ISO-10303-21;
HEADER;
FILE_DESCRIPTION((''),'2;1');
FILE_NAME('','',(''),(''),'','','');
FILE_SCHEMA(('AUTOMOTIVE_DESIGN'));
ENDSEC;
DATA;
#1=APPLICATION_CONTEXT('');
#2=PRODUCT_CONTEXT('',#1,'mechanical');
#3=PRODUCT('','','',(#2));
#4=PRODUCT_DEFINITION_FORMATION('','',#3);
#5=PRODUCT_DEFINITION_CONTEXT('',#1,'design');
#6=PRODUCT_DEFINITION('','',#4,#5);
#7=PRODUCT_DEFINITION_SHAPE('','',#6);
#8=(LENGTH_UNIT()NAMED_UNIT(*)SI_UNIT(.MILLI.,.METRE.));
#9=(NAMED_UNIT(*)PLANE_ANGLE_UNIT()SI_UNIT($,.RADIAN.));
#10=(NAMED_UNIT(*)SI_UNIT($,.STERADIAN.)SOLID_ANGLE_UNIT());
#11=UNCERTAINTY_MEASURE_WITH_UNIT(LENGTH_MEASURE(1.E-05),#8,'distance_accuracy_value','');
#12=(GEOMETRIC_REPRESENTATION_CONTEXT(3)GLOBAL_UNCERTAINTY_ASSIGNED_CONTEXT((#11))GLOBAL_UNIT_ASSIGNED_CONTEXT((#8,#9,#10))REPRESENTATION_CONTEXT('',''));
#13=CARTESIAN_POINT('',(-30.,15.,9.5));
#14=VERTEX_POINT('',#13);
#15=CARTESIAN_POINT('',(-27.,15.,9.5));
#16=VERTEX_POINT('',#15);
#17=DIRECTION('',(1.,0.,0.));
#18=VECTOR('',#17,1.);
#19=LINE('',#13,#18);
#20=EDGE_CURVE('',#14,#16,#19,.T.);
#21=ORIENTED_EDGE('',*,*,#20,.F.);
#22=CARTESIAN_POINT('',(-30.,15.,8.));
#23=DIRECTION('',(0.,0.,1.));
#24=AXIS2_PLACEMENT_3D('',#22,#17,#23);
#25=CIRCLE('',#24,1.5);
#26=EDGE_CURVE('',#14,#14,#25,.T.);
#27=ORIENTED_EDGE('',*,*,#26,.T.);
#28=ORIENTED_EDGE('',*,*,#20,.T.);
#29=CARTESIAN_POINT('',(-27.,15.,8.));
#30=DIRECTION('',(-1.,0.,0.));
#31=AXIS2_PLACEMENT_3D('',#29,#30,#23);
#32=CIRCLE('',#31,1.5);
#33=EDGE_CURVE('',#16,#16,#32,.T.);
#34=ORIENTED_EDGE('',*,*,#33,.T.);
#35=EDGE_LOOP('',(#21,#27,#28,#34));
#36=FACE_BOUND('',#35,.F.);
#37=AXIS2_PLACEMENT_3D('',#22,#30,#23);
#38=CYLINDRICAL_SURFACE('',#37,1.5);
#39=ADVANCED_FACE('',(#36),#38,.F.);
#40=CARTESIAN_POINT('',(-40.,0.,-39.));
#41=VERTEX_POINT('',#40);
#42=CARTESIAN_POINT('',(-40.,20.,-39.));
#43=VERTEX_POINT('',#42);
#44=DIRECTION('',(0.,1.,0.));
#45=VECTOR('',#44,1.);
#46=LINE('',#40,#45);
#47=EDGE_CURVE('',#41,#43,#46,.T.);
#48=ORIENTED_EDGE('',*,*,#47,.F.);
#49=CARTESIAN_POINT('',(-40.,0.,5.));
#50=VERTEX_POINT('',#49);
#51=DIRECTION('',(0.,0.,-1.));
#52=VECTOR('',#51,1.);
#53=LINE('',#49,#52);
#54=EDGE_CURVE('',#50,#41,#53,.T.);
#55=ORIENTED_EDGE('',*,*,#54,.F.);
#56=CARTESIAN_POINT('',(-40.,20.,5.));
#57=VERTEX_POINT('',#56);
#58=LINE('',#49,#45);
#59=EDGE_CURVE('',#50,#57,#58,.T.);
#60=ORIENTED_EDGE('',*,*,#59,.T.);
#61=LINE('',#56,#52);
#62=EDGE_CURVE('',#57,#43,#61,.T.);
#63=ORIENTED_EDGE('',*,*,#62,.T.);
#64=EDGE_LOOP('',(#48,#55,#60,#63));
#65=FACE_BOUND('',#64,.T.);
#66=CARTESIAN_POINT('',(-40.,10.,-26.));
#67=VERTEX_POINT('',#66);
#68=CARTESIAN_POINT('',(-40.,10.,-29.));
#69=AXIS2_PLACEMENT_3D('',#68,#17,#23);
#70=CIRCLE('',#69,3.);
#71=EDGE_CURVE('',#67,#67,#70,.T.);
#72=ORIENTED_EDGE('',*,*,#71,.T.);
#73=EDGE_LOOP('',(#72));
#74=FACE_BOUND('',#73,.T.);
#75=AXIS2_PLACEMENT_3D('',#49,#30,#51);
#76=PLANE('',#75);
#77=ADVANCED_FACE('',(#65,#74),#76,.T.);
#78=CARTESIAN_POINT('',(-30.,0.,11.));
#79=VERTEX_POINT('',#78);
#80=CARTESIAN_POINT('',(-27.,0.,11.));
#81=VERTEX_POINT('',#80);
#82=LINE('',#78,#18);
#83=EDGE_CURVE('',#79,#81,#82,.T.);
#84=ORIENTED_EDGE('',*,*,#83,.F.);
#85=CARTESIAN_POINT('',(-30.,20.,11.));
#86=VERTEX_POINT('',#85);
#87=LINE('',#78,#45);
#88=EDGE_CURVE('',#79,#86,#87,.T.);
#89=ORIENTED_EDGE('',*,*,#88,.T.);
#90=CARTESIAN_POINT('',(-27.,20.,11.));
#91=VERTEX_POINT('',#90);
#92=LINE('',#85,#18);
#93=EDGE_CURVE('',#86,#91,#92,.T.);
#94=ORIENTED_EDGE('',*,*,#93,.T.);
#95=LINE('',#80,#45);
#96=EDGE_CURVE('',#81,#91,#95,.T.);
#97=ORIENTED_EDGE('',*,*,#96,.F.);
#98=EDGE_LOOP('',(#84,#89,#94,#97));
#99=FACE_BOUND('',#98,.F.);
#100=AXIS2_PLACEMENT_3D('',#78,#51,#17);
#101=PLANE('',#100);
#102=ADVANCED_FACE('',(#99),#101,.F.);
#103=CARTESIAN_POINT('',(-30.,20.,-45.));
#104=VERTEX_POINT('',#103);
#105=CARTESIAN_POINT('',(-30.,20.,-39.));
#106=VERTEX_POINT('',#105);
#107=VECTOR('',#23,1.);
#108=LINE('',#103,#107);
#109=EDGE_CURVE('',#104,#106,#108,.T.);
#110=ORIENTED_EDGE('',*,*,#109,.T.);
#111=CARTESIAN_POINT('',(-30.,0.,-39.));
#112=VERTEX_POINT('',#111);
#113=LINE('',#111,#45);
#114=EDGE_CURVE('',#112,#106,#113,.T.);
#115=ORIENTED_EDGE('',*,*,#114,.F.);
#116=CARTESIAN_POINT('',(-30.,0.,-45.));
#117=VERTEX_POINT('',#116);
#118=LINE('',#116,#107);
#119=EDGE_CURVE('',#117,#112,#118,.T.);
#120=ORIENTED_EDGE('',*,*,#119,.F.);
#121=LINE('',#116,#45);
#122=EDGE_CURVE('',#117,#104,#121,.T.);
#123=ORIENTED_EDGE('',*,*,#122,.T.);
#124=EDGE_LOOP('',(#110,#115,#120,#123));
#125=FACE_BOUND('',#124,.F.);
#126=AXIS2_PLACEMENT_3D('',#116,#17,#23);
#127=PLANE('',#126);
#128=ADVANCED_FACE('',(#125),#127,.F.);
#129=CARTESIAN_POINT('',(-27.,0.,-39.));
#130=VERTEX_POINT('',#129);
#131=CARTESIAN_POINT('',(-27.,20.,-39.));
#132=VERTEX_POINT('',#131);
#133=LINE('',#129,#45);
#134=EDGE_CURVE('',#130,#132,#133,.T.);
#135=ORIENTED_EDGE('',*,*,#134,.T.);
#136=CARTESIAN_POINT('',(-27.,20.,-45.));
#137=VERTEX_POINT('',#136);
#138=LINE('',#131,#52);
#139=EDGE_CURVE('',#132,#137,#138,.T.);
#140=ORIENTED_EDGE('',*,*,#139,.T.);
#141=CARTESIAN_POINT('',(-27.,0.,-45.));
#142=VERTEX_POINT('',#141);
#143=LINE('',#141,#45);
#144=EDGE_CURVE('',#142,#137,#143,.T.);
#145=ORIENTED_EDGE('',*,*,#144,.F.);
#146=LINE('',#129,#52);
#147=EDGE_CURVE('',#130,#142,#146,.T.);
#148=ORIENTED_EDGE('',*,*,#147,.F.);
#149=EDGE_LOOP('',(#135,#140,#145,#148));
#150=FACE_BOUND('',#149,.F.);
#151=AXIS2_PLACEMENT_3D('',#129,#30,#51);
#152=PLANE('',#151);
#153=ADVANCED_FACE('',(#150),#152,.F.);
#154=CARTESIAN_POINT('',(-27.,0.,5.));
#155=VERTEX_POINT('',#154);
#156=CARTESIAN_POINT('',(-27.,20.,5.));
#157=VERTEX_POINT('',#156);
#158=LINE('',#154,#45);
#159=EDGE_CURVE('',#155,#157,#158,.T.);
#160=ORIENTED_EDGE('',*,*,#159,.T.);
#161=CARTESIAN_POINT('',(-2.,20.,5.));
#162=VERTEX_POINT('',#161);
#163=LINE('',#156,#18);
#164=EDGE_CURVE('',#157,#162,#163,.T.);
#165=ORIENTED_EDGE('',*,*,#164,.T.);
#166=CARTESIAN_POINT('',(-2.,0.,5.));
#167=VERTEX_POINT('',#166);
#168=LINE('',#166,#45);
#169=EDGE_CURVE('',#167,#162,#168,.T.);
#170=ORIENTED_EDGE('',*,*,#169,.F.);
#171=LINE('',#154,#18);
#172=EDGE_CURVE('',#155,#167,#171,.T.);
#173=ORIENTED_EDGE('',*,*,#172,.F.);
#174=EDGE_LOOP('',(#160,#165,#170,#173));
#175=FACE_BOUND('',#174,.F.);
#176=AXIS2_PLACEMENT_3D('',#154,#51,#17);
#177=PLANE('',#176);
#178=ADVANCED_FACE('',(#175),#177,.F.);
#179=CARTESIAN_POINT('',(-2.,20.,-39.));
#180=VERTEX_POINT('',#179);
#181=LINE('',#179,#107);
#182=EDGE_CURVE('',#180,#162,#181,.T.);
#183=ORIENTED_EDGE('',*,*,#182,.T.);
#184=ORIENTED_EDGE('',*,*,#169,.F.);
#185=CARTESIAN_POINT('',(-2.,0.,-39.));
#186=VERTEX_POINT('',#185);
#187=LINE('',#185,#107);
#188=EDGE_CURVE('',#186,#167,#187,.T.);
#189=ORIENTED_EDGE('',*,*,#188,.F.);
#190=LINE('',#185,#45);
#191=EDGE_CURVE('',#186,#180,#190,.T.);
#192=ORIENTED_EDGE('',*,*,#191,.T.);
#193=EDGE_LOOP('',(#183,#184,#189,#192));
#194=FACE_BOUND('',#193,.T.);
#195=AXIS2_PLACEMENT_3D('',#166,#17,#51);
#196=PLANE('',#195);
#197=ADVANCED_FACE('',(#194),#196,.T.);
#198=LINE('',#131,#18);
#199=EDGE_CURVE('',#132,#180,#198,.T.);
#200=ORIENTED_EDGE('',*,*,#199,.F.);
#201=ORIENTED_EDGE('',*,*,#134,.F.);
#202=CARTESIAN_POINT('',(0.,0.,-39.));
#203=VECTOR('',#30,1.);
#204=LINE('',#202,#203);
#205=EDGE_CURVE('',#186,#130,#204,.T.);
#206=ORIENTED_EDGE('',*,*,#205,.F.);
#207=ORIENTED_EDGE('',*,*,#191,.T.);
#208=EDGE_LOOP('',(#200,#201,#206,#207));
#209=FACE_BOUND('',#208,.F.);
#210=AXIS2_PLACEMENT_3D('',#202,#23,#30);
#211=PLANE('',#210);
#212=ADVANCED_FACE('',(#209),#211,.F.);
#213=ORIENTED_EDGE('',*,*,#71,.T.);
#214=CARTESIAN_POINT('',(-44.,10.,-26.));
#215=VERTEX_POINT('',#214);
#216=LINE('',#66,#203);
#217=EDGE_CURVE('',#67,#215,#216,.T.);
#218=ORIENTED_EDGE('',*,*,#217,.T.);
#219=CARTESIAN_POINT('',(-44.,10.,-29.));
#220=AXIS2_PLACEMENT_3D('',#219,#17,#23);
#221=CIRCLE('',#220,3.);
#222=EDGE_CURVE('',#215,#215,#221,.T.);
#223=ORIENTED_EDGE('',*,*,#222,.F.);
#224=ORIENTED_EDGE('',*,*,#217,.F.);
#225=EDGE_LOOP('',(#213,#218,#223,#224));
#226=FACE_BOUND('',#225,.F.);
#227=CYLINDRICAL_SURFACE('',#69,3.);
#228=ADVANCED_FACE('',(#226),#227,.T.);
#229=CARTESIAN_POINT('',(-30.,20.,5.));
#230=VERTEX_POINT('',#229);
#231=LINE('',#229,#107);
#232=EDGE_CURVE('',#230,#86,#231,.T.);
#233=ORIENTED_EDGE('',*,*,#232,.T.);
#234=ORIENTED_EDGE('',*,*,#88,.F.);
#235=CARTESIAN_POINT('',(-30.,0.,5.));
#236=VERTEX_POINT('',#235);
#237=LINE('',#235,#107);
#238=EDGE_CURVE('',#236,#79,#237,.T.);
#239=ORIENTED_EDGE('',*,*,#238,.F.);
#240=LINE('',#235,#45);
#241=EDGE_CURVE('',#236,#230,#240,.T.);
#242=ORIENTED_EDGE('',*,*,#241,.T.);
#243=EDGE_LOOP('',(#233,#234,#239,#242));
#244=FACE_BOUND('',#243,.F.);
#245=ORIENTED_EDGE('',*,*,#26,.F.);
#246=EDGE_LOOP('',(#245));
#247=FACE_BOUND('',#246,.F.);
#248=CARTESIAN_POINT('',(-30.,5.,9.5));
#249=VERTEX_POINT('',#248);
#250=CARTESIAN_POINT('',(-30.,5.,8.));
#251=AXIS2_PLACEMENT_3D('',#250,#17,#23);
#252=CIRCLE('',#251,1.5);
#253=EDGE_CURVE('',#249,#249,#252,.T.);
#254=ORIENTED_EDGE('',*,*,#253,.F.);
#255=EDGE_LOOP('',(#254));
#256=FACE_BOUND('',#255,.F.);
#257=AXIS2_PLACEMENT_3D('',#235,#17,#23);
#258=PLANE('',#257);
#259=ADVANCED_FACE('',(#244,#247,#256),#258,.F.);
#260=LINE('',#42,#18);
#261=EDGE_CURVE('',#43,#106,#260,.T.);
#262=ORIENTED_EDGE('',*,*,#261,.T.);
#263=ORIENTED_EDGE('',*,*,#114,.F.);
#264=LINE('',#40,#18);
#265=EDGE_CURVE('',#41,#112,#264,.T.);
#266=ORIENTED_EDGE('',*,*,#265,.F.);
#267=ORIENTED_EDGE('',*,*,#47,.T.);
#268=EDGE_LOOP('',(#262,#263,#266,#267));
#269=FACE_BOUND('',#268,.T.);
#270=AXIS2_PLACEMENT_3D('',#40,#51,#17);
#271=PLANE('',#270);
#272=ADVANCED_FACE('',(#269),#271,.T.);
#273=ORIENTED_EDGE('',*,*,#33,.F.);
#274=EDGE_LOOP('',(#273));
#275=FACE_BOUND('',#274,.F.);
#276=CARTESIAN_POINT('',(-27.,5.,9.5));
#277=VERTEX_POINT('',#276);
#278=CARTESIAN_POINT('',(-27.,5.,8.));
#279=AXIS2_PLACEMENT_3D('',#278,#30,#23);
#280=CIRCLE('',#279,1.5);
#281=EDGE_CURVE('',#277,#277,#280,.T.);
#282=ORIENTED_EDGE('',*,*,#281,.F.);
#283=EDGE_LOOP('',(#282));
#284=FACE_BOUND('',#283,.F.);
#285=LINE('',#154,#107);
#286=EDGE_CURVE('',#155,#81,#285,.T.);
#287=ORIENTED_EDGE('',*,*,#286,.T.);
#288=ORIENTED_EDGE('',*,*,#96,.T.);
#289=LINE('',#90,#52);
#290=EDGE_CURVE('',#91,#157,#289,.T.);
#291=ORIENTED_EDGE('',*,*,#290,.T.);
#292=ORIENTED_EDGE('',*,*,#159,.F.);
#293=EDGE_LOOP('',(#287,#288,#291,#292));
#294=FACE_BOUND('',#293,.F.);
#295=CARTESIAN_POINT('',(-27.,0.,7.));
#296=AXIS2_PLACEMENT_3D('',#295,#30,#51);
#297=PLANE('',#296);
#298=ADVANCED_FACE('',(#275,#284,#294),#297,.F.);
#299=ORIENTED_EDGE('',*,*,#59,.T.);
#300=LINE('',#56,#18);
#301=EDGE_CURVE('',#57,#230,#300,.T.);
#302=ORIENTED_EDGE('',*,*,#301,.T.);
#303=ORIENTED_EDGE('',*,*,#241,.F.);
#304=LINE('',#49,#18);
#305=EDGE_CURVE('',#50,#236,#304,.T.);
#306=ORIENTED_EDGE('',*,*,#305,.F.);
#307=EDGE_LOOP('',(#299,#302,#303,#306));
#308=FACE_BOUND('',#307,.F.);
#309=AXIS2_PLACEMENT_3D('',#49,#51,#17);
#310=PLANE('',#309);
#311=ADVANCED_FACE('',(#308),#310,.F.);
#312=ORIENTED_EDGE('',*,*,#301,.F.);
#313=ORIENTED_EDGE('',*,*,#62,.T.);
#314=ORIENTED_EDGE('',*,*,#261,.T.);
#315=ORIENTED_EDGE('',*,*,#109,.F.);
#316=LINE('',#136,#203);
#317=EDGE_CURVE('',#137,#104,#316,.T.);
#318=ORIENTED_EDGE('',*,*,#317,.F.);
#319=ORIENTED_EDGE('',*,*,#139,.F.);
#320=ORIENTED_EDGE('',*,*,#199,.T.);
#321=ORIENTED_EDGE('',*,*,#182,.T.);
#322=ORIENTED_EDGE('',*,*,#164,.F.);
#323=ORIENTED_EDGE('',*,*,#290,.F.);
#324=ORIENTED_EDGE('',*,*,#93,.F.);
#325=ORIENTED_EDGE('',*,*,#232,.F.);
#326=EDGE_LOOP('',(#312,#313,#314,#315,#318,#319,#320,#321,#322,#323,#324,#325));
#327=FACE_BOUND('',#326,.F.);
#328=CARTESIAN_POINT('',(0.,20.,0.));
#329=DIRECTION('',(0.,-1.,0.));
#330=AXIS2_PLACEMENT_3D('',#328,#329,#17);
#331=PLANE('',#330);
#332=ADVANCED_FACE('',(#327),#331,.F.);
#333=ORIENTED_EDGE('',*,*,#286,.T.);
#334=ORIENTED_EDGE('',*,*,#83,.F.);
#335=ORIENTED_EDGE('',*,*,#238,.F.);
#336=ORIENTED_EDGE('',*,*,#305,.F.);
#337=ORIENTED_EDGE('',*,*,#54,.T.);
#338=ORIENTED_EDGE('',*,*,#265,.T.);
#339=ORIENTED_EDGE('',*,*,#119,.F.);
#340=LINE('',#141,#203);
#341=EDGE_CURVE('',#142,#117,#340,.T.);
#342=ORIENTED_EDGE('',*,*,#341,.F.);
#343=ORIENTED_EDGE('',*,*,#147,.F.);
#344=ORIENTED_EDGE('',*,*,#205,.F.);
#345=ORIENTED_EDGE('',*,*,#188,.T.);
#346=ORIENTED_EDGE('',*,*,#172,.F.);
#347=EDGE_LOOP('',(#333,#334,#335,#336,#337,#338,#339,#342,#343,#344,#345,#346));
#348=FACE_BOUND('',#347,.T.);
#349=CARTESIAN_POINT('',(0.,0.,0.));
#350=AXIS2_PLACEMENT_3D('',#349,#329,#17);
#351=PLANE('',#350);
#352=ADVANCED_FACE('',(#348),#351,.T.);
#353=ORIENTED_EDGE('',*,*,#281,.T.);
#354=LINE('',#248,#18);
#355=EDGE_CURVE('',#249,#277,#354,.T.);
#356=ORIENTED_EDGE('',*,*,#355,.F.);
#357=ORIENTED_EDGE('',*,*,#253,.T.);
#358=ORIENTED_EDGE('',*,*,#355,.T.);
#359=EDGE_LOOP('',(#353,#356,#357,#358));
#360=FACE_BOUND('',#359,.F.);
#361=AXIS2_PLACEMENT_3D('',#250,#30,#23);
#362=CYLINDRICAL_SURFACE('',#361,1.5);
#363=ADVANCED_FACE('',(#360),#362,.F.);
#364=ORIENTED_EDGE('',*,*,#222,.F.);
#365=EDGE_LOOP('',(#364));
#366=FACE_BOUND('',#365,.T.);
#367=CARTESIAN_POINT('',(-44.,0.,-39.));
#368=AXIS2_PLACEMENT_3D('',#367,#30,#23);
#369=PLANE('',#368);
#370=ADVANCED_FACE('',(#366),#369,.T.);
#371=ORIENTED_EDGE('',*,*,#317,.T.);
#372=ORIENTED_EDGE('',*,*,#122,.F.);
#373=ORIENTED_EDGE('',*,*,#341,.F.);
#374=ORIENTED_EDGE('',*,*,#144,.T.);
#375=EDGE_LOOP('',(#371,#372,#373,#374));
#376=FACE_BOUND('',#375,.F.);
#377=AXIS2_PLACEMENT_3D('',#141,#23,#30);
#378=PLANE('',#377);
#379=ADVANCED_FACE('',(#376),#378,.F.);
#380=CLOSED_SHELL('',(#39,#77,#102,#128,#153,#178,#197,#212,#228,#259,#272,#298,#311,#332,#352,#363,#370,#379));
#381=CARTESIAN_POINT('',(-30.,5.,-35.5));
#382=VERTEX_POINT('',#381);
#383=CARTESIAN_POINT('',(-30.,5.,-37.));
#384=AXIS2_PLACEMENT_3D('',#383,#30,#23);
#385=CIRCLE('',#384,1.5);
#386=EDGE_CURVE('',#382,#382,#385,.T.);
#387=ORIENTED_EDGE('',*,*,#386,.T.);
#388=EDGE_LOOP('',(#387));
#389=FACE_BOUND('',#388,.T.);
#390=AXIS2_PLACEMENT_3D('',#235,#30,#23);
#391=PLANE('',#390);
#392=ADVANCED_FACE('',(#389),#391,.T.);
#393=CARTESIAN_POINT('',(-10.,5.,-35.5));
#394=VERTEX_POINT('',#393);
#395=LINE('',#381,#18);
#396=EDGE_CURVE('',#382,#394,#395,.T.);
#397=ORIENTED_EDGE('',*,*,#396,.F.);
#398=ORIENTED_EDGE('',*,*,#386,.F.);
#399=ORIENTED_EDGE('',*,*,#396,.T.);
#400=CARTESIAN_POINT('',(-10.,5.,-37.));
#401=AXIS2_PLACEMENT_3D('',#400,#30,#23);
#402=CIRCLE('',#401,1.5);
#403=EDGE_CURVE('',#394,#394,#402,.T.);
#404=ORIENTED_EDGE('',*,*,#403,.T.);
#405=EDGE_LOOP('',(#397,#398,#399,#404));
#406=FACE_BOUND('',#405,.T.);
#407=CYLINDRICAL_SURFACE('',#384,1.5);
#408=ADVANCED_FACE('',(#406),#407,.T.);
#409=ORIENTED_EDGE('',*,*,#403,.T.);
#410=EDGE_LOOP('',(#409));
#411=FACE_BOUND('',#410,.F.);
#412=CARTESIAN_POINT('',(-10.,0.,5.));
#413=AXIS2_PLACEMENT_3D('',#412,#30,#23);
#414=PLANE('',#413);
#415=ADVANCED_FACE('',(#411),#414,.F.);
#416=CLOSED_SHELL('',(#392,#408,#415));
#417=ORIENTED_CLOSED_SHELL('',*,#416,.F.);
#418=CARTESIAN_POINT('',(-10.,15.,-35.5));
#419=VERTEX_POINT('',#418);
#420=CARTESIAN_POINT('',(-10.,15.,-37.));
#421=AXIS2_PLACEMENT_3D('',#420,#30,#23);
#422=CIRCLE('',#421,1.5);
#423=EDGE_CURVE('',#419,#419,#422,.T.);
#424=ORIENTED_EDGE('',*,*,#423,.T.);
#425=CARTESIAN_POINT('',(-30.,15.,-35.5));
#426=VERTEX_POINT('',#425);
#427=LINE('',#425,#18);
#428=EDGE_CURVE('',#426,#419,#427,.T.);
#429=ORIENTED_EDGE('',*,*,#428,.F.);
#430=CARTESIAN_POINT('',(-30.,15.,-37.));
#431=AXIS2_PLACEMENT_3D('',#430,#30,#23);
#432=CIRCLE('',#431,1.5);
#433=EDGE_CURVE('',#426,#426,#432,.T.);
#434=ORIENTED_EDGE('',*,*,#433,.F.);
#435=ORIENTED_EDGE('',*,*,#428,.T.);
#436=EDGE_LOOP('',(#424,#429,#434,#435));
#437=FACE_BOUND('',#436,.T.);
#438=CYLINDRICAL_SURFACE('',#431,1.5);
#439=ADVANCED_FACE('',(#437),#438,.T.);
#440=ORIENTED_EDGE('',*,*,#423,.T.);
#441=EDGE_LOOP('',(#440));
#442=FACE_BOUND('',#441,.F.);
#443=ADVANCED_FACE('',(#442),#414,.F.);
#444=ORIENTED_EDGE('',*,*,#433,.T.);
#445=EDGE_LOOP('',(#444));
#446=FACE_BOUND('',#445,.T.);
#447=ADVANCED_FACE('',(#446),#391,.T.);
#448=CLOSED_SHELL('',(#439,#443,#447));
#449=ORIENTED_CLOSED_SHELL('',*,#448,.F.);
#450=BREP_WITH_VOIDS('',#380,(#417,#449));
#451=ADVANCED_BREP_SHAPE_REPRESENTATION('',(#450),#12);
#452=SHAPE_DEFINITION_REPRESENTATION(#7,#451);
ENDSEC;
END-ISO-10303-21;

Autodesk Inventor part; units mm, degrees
ref_plane "YZ Plane" through (0, 0, 0) normal (1, 0, 0) x (0, 1, 0)
ref_plane "XZ Plane" through (0, 0, 0) normal (0, 1, 0) x (-1, 0, 0)
ref_plane "XY Plane" through (0, 0, 0) normal (0, 0, 1) x (1, 0, 0)
sketch "Sketch1" plane through (0, 0, 0) normal (0, 1, 0) x (-1, 0, 0)
  line L0 (40, 5) -> (40, -39)
  line L1 (0, -39) -> (0, 0)
  line L2 (40, 5) -> (30, 5)
  line L3 (30, 5) -> (30, 11)
  line L4 (30, 11) -> (27, 11)
  line L5 (27, 11) -> (27, 7)
  line L6 (27, -39) -> (27, -45)
  line L7 (27, -45) -> (30, -45)
  line L8 (30, -45) -> (30, -39)
  line L9 (30, 5) -> (40, 5)
  line L10 (40, -39) -> (30, -39)
  line L11 (27, -39) -> (0, -39)
  line L12 (0, 3) -> (0, 0)
  line L13 (0, 5) -> (0, 3)
  line L14 (27, 5) -> (0, 5)
  line L15 (27, 7) -> (27, 5)
  dimension "d0" = 40
  dimension "d1" = 44
  dimension "d2" = 10
  dimension "d3" = 6
  dimension "d4" = 3
  dimension "d5" = 6
extrude "Extrusion1" add sketch "Sketch1" along normal blind 20
sketch "Sketch2" plane through (-30, 0, 5) normal (-1, 0, 0) x (0, 0, 1)
  line L0 (6, 0) -> (6, 20) projected
  line L1 (6, 10) -> (3, 10)
  line L2 (3, 10) -> (3, 15)
  line L3 (3, 15) -> (3, 5)
  circle A0 centre (3, 15) radius 1.5
  circle A1 centre (3, 5) radius 1.5
  circle A2 centre (-42, 15) radius 1.5
  circle A3 centre (-42, 5) radius 1.5
  dimension "d8" = 5
  dimension "d9" = 10
  dimension "d10" = 3
  dimension "d11" = 3
  dimension "d12" = 3
  dimension "d13" = 3
extrude "Extrusion2" cut sketch "Sketch2" against normal blind 20
sketch "Sketch3" plane through (-40, 0, -39) normal (-1, 0, 0) x (0, 0, 1)
  line L0 (0, 0) -> (0, 20) projected
  line L1 (0, 10) -> (10, 10)
  circle A0 centre (10, 10) radius 3
  dimension "d16" = 10
  dimension "d17" = 6
extrude "Extrusion3" add sketch "Sketch3" along normal blind 4
sketch "Sketch4" plane through (0, 0, 0) normal (1, 0, 0) x (0, 0, -1)
  line L0 (-5, 0) -> (39, 0) projected
  line L1 (39, 0) -> (39, 20) projected
  line L2 (-5, 20) -> (39, 20) projected
  line L3 (0, 0) -> (0, 20) projected
extrude "Extrusion4" cut sketch "Sketch4" against normal blind 2
sketch "Sketch5" plane through (0, 0, 0) normal (0, -1, 0) x (1, 0, 0)
  line L0 (-2, 0) -> (0, 0)
  line L1 (0, 0) -> (0, -39)
  line L2 (0, -39) -> (-2, -39)
  line L3 (-2, -39) -> (-2, 0)
extrude "Extrusion5" add sketch "Sketch5" against normal up to surface (20 mm away)
sketch "Sketch6" plane through (0, 0, 5) normal (1, 0, 0) x (0, 0, -1)
  line L0 (44, 20) -> (0, 20) projected
  line L1 (0, 0) -> (0, 20) projected
  line L2 (44, 0) -> (0, 0) projected
  line L3 (44, 0) -> (44, 20) projected
  point P0 (5, 0)
extrude "Extrusion6" cut sketch "Sketch6" against normal blind 2
properties part number "Elbow Servo"
